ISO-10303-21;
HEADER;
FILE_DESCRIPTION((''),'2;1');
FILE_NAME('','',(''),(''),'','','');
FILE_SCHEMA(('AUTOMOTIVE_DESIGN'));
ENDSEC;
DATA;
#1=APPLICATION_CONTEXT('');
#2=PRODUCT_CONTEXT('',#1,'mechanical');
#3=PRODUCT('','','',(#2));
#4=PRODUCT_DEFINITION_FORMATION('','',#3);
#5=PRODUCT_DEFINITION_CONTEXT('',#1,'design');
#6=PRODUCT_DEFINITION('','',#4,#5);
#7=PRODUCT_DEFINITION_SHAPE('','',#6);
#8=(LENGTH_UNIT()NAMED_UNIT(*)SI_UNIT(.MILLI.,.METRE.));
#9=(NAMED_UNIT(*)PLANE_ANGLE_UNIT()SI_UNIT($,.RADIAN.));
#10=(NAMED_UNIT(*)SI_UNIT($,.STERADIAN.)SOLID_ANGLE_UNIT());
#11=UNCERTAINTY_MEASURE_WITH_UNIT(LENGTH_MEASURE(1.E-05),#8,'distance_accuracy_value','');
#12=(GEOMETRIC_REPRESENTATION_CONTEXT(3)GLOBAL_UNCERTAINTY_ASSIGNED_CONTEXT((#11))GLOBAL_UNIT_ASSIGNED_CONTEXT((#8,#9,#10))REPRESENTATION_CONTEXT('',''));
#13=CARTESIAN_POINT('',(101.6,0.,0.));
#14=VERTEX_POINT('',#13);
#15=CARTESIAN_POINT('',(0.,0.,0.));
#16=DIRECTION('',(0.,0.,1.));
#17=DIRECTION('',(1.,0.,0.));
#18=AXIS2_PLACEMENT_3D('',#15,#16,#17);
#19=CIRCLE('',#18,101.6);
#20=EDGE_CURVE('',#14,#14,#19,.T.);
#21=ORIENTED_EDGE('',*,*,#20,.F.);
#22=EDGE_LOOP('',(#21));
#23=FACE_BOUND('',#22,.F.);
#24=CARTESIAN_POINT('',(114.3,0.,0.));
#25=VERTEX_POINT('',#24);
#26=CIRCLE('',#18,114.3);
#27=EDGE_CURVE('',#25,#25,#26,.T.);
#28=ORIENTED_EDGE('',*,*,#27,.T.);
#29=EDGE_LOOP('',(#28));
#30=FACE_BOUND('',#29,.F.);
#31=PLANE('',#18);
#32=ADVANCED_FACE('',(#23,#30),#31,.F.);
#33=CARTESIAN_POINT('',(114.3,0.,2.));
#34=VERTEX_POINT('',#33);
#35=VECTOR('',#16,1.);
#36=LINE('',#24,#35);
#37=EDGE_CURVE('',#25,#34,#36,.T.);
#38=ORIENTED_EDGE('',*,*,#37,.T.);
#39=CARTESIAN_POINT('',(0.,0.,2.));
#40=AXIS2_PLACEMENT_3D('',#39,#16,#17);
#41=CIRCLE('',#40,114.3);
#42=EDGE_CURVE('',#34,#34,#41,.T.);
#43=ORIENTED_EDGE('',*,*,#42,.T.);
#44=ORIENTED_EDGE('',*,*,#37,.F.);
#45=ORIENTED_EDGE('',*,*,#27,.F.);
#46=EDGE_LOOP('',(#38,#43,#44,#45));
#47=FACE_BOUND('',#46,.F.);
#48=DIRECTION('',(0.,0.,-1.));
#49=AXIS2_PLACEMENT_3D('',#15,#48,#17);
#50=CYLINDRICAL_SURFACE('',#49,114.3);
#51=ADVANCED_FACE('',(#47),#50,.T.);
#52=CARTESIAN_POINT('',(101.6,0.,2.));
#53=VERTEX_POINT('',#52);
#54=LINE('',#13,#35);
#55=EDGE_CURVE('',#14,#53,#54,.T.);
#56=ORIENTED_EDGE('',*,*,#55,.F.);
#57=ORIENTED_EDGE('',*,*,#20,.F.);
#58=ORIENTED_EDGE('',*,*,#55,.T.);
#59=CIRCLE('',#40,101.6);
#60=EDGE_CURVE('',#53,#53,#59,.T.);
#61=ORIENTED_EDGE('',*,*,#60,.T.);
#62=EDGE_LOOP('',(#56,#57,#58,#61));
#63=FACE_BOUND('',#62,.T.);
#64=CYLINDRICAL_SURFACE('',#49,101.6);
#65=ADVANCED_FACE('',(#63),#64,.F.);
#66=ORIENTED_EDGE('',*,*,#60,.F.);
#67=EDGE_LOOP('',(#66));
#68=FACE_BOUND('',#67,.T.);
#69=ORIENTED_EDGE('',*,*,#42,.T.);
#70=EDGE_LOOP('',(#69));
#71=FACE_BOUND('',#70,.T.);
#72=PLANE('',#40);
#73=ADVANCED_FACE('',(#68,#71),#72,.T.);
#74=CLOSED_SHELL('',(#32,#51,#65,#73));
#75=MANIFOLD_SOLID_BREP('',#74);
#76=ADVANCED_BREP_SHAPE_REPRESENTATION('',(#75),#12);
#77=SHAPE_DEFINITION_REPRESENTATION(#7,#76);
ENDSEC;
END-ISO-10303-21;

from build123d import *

# Parameters (mm, degrees)
SKETCH_R      = 114.3
SKETCH_R_2    = 101.6
EXTRUDE_DEPTH = 2


with BuildPart() as part:
    # Sketch → Extrude (new body)
    with BuildSketch(Plane.XY):
        Circle(SKETCH_R)
        Circle(SKETCH_R_2, mode=Mode.SUBTRACT)
    extrude(amount=EXTRUDE_DEPTH)


solid = part.part
